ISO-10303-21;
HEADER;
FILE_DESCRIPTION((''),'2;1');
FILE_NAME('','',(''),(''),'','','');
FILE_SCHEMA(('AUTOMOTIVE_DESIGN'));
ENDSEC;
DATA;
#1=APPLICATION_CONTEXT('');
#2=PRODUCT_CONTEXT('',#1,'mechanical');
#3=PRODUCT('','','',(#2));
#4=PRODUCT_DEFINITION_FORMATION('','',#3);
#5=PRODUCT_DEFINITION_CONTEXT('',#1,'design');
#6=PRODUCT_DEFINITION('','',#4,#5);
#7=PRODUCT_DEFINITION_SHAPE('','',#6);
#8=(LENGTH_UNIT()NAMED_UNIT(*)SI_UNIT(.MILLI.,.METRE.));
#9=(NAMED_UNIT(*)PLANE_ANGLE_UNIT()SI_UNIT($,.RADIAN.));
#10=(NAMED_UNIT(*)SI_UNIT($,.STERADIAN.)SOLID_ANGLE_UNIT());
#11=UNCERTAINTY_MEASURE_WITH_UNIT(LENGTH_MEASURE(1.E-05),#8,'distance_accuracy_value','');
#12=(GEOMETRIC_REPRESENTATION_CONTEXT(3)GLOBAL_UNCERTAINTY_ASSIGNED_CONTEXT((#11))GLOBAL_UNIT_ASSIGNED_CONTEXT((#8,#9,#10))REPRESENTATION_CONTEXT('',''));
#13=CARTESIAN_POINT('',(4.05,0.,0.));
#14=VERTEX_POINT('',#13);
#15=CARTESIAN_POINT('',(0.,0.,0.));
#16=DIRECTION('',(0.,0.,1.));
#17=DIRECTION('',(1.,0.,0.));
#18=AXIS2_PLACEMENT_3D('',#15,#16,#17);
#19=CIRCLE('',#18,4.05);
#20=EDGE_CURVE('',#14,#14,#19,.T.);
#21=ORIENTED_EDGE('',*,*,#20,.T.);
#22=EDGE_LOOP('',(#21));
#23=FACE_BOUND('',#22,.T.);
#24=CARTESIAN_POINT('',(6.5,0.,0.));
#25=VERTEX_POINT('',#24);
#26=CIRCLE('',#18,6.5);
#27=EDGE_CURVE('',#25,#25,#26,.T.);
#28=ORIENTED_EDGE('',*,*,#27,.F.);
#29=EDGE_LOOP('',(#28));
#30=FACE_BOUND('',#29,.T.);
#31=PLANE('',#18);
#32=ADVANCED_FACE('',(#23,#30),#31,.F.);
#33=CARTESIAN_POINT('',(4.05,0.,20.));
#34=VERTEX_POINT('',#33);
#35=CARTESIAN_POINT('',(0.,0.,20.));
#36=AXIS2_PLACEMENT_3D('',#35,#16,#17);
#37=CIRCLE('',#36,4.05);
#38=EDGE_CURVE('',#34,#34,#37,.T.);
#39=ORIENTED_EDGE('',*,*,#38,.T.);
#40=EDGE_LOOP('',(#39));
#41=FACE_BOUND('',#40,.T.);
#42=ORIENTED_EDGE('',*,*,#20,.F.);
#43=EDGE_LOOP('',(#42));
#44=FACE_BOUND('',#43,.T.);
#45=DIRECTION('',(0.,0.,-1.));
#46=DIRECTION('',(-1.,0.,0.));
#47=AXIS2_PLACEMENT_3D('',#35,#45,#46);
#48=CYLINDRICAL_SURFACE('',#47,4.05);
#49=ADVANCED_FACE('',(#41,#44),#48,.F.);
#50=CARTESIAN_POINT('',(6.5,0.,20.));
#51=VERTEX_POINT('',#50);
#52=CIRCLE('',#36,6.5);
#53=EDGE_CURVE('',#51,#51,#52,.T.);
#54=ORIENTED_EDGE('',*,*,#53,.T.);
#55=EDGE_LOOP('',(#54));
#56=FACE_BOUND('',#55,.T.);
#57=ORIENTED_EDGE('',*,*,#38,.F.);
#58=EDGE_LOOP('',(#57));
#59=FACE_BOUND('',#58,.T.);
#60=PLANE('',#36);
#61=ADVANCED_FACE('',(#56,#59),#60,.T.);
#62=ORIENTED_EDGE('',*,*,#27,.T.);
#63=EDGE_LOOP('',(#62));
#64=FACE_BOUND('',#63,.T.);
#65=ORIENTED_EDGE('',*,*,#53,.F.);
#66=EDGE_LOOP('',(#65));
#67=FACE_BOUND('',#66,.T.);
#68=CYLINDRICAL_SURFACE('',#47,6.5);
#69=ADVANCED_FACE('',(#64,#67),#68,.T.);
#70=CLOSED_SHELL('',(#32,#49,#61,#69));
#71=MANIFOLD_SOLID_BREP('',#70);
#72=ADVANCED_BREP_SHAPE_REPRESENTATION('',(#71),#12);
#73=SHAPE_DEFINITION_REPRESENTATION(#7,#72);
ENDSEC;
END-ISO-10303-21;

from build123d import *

# Parameters (mm, degrees)
CROQUIS1_R              = 6.5
CROQUIS1_R_2            = 4.05
SALIENTE_EXTRUIR1_DEPTH = 20


with BuildPart() as part:
    # Croquis1 → Saliente-Extruir1 (new body)
    with BuildSketch(Plane.XY):
        Circle(CROQUIS1_R)
        Circle(CROQUIS1_R_2, mode=Mode.SUBTRACT)
    extrude(amount=SALIENTE_EXTRUIR1_DEPTH)


solid = part.part
